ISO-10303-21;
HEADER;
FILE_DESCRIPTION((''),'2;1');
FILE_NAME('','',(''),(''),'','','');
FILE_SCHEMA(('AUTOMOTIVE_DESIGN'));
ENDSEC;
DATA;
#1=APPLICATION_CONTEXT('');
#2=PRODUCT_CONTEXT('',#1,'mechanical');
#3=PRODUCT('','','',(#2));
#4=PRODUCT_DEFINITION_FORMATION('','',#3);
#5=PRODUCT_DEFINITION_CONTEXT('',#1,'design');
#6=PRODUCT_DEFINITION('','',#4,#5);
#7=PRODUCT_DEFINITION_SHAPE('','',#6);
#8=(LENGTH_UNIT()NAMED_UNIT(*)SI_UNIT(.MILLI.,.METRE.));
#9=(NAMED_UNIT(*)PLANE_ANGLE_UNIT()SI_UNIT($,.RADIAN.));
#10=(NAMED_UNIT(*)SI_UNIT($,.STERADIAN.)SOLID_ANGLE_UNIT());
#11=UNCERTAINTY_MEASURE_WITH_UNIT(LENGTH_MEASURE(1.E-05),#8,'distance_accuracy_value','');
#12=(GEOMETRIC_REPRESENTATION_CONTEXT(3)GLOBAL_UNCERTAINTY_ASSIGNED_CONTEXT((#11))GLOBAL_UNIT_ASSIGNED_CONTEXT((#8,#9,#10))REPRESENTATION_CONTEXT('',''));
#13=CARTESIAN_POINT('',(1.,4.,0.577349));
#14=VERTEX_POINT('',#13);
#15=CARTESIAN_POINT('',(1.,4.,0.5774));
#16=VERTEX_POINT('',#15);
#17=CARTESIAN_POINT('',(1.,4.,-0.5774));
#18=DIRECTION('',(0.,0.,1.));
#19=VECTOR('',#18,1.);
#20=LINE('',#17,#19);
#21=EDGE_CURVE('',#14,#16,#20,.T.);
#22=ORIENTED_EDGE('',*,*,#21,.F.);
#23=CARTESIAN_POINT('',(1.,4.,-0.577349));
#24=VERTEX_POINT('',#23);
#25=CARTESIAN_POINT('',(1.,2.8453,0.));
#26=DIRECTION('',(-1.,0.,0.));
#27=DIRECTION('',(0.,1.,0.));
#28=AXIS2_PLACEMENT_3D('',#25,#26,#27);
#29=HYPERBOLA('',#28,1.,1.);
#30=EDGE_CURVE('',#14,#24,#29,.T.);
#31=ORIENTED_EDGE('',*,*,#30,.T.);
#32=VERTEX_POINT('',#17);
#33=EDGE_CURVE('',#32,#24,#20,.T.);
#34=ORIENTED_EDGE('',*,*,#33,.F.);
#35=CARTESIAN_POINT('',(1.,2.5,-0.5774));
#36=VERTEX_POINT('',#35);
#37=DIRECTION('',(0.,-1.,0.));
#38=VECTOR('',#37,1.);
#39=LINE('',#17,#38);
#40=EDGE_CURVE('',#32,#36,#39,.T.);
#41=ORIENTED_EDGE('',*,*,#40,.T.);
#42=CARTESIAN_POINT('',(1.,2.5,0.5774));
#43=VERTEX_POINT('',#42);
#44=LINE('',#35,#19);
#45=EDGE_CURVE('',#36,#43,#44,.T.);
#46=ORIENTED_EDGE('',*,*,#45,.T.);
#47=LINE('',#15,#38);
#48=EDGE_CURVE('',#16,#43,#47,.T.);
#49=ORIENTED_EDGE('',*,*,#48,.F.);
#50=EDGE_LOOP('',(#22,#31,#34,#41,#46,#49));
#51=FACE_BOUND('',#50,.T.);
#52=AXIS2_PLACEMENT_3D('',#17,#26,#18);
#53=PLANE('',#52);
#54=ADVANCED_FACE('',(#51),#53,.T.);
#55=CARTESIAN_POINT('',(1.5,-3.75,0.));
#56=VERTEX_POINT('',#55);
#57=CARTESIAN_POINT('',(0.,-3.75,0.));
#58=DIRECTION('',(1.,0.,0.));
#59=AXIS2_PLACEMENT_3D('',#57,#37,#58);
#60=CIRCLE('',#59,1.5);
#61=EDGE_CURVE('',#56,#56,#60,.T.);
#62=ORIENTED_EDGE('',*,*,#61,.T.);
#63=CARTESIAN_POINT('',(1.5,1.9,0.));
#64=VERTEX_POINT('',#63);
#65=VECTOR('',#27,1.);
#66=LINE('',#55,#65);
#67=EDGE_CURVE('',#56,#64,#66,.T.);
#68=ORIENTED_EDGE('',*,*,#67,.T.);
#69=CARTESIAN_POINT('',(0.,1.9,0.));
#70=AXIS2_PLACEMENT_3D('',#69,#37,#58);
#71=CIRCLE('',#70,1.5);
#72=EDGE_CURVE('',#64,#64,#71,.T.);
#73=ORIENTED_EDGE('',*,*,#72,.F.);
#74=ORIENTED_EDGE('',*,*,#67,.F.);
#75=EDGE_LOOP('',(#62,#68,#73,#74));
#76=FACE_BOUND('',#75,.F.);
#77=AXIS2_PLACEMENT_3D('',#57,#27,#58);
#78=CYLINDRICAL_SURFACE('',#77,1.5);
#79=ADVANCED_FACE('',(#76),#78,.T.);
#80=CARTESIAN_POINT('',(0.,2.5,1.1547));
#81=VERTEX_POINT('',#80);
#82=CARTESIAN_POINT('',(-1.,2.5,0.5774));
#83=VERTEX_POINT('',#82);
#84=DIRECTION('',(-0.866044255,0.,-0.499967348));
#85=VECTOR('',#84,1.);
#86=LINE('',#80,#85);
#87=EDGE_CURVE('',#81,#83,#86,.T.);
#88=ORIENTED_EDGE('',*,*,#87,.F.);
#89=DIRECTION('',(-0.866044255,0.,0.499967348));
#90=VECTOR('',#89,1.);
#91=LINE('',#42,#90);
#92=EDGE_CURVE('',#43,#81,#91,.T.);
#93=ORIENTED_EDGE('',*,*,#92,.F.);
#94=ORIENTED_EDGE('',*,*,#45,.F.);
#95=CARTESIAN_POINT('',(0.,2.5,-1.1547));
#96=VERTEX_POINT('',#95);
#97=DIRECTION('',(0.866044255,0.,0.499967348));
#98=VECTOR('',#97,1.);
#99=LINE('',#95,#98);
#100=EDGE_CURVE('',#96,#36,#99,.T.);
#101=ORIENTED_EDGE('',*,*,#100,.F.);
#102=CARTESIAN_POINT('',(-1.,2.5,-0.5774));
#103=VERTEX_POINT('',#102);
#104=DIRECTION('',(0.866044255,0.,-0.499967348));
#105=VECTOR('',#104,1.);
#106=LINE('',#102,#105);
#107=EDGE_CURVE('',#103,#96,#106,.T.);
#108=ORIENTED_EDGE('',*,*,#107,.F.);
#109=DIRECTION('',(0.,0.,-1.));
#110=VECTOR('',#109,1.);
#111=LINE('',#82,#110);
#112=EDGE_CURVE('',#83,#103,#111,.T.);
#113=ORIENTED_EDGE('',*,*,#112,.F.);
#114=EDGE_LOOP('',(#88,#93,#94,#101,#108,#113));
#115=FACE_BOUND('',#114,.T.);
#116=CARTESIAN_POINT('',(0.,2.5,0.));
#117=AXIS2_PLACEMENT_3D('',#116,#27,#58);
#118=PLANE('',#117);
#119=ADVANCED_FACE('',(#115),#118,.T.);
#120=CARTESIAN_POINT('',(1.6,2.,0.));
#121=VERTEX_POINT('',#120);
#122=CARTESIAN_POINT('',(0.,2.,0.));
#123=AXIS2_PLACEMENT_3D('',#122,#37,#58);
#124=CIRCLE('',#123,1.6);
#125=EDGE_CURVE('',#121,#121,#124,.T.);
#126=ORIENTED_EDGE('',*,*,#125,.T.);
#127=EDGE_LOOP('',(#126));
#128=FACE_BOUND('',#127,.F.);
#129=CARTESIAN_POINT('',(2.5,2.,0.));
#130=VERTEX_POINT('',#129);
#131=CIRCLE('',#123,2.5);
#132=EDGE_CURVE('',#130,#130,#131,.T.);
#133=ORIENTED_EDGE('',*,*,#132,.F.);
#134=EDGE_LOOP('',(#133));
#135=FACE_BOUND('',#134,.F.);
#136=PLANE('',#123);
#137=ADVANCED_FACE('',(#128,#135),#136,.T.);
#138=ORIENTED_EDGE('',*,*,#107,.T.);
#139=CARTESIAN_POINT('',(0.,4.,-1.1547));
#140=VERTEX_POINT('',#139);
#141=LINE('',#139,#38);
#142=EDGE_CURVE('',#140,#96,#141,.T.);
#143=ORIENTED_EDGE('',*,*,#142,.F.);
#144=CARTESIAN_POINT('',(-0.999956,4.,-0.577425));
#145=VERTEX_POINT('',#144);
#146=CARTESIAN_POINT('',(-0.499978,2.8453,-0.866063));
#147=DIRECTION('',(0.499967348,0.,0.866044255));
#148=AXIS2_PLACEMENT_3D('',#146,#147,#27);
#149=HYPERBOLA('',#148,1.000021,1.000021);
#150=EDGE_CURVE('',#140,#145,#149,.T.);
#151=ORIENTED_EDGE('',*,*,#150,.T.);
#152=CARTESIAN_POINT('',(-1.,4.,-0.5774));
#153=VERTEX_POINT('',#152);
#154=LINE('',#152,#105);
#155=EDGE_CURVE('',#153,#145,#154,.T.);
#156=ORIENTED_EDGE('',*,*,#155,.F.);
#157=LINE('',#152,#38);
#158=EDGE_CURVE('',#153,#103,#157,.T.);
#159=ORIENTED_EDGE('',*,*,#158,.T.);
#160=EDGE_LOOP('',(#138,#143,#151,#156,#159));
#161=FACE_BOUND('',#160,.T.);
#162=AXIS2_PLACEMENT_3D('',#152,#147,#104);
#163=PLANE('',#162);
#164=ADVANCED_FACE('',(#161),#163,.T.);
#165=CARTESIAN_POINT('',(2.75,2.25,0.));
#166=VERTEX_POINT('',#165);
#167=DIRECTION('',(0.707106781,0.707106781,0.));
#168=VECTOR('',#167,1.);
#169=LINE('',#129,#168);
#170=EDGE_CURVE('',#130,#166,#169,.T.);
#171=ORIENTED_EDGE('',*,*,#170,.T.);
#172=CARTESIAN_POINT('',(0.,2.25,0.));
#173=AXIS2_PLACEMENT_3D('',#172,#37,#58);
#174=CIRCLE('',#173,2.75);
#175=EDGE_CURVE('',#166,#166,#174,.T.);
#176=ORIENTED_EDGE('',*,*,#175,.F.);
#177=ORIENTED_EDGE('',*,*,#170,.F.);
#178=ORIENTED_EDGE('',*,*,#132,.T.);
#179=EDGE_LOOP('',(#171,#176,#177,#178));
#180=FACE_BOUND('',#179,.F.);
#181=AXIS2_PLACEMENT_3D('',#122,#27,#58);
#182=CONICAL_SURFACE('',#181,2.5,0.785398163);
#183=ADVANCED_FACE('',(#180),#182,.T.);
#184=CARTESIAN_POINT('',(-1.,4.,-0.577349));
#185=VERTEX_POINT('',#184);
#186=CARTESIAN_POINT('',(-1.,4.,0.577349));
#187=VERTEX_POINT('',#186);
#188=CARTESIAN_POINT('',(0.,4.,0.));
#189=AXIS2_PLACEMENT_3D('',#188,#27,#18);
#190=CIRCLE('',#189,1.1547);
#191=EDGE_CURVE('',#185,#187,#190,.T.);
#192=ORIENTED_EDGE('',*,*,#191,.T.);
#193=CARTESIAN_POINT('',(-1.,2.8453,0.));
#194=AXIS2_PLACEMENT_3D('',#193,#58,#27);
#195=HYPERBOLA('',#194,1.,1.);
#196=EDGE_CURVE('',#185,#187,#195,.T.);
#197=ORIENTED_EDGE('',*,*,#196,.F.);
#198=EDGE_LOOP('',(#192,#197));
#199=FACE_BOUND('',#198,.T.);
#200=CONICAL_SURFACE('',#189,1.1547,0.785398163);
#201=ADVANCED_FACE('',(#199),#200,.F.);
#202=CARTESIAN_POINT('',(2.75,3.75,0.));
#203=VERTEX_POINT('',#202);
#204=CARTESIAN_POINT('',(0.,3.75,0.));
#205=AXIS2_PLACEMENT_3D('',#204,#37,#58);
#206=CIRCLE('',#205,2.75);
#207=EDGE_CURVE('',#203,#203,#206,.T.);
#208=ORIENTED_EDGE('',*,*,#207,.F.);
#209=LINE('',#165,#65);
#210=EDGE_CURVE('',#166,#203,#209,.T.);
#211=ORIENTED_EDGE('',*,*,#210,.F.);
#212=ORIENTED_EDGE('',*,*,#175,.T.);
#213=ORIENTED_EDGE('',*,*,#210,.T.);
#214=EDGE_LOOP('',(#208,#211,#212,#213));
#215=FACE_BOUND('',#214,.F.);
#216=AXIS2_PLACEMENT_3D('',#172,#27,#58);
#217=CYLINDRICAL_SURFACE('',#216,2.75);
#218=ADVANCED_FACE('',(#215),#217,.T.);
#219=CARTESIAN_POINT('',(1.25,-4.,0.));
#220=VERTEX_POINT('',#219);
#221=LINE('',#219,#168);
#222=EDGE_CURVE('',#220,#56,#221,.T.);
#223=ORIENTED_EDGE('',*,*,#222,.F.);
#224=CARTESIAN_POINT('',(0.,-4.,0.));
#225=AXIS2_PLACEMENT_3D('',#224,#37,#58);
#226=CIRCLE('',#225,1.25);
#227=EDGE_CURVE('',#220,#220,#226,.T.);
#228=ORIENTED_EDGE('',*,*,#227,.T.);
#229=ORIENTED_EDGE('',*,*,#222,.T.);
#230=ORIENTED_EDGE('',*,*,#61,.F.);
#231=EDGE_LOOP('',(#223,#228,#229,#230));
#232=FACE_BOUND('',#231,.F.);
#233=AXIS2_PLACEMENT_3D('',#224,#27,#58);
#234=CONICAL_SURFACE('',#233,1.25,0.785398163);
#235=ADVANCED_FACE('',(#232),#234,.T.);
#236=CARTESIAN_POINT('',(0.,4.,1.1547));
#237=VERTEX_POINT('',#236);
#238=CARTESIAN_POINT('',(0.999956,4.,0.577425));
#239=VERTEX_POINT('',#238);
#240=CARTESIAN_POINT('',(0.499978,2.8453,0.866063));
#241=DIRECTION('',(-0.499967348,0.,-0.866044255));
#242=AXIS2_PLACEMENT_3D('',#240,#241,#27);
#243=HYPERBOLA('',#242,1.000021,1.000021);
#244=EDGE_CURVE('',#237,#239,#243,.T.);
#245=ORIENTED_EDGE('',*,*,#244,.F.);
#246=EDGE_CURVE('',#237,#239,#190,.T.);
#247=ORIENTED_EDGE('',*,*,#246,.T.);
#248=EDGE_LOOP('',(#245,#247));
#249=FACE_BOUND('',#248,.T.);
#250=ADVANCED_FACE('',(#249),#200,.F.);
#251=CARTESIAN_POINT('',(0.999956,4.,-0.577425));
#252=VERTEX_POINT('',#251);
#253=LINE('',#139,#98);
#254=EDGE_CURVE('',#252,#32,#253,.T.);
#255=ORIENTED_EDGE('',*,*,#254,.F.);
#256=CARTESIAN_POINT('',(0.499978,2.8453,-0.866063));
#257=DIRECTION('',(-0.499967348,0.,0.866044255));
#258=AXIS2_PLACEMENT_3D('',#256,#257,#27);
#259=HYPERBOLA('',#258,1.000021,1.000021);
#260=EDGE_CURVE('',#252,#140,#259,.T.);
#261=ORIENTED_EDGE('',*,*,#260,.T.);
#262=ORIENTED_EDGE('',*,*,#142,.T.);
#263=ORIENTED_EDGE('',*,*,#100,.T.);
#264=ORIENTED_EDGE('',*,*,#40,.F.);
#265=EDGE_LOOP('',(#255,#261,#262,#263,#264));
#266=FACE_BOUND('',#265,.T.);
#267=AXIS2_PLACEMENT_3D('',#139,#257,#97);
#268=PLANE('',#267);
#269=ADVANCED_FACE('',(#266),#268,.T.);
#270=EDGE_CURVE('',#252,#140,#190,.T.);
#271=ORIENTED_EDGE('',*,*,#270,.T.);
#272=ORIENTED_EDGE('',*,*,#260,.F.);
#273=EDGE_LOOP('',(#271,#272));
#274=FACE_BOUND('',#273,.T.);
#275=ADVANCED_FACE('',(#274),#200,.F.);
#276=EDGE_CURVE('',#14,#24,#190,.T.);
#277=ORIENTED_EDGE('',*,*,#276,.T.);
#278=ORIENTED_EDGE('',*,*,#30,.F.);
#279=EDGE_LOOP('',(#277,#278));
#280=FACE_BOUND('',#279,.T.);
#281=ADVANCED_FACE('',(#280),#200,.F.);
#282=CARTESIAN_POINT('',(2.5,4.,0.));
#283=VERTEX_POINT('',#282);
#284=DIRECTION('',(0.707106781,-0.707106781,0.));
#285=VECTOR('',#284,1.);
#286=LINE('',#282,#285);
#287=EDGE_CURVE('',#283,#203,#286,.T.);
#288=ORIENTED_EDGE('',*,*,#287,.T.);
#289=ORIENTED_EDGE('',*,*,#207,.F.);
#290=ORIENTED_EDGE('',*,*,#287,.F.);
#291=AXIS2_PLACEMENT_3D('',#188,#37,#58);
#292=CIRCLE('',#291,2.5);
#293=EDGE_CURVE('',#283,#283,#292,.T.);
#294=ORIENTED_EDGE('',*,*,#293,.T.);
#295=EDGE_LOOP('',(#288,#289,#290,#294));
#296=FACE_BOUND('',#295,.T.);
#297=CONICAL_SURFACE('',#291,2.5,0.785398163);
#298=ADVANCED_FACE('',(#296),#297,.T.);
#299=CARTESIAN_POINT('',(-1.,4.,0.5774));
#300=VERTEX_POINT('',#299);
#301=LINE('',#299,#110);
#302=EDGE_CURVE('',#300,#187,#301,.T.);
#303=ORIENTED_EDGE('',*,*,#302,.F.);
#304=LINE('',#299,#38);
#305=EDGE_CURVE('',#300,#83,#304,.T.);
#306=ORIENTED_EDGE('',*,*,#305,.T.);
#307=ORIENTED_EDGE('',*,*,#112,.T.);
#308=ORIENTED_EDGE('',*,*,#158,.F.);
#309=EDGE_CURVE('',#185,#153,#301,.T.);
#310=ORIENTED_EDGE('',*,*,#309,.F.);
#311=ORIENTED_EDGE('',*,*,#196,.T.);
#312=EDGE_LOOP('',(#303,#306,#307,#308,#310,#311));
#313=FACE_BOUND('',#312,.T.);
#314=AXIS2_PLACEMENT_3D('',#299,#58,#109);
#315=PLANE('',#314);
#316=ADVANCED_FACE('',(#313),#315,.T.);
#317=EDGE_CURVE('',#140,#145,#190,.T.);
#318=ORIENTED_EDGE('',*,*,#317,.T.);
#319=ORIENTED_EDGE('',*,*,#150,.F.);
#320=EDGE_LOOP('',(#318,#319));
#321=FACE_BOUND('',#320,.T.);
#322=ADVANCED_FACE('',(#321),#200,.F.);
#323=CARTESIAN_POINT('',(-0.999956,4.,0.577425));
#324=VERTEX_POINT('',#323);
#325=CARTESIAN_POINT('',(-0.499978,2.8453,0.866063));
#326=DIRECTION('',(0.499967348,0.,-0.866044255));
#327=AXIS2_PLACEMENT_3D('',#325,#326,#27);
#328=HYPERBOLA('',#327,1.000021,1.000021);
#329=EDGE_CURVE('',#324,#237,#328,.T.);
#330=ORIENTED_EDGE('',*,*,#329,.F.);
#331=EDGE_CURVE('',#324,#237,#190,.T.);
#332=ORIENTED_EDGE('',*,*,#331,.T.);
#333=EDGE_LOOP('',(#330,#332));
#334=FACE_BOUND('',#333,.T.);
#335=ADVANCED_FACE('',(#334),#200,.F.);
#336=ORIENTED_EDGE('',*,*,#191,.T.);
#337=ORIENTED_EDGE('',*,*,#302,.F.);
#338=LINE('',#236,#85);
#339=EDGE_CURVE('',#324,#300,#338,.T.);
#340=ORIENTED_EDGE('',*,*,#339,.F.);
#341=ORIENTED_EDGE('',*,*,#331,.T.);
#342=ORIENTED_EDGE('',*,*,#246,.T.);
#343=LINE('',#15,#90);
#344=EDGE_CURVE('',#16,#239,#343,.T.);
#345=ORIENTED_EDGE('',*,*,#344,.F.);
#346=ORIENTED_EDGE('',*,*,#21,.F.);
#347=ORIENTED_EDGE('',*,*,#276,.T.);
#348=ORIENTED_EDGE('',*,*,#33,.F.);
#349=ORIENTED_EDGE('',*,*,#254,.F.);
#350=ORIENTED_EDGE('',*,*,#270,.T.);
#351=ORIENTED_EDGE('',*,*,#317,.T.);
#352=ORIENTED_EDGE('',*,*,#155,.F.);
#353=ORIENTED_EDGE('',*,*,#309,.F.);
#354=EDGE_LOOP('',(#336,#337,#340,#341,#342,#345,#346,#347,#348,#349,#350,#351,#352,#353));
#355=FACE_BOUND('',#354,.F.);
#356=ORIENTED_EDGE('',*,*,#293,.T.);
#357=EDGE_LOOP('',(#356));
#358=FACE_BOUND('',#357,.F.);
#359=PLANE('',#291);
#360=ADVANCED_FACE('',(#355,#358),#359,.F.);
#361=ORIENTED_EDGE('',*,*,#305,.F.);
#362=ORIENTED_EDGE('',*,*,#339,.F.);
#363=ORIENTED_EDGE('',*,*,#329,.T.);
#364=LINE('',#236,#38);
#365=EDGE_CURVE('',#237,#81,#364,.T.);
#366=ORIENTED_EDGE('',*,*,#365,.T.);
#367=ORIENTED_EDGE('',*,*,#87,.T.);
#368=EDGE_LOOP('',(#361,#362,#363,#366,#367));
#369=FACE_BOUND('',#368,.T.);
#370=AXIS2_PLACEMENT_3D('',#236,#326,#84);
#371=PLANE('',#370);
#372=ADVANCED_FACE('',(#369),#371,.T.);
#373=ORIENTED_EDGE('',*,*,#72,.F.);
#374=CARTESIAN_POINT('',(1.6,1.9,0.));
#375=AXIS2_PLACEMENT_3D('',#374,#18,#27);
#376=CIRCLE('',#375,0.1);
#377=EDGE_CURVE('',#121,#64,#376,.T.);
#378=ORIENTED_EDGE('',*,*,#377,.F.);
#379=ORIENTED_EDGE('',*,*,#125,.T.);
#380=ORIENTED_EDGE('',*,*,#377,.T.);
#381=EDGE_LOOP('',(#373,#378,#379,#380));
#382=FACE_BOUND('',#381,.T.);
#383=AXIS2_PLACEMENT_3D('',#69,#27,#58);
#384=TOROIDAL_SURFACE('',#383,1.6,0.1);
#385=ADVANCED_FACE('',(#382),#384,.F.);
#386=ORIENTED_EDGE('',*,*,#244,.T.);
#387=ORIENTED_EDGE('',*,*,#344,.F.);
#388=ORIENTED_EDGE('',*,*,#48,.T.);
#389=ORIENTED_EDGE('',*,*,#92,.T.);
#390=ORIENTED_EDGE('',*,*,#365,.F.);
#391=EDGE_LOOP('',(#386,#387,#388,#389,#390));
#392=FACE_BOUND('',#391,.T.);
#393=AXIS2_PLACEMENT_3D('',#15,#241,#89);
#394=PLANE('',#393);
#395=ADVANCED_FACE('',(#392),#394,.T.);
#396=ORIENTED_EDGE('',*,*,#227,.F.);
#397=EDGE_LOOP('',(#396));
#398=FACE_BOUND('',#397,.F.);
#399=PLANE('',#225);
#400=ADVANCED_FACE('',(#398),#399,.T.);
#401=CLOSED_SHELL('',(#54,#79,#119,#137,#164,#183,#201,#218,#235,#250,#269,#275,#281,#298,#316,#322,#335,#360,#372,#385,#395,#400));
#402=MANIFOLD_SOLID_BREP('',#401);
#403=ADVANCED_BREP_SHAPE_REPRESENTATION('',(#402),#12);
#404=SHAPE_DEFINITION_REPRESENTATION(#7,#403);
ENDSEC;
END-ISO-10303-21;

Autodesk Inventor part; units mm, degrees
ref_plane "YZ Plane" through (0, 0, 0) normal (1, 0, 0) x (0, 1, 0)
ref_plane "XZ Plane" through (0, 0, 0) normal (0, 1, 0) x (-1, 0, 0)
ref_plane "XY Plane" through (0, 0, 0) normal (0, 0, 1) x (1, 0, 0)
sketch "Sketch1" plane through (0, 0, 0) normal (0, 0, 1) x (1, 0, 0)
  line L0 (0, 4) -> (0, -4)
  line L1 (0, -4) -> (1.25, -4)
  line L2 (1.25, -4) -> (1.5, -3.75)
  line L3 (1.5, -3.75) -> (1.5, 1.9)
  line L4 (1.6, 2) -> (2.5, 2)
  line L5 (2.75, 2.25) -> (2.75, 3.75)
  line L6 (2.5, 4) -> (0, 4)
  arc A0 (1.6, 2) -> (1.5, 1.9) centre (1.6, 1.9) ccw
  line L7 (2.5, 4) -> (2.75, 3.75)
  line L8 (2.5, 2) -> (2.75, 2.25)
  point P0 (0, 0)
  point P1 (2.75, 2)
  point P2 (2.75, 4)
  point P3 (0, 0)
  dimension "d0" = 5.5
  dimension "d1" = 2
  dimension "d3" = 3
  dimension "d4" = 3.2
  dimension "d5" = 135
  dimension "d6" = 0.25
  dimension "d7" = 6
  dimension "d9" = 0.25
revolve "Revolution1" add sketch "Sketch1" angle 360 about axis through (0, 4, 0) along (0, -1, 0)
sketch "Sketch2" plane through (0, 4, 0) normal (0, 1, 0) x (1, 0, 0)
  line L0 (0, -1.1547) -> (-1, -0.5774)
  line L1 (-1, -0.5774) -> (-1, 0.5774)
  line L2 (-1, 0.5774) -> (0, 1.1547)
  line L3 (0, 1.1547) -> (1, 0.5774)
  line L4 (1, 0.5774) -> (1, -0.5774)
  line L5 (1, -0.5774) -> (0, -1.1547)
  point P0 (0, 0)
  point P1 (0, 0)
  dimension "d11" = 2
extrude "Extrusion1" cut sketch "Sketch2" against normal blind 1.5
thread "Thread1" size "M3x0.35" class "6g" standard "ANSI Metric M Profile" full length
sketch "Sketch3" plane through (0, 0, 0) normal (1, 0, 0) x (0, 1, 0)
  line L0 (4, 1.1547) -> (3, 0.1547)
  line L1 (3, 0.1547) -> (4, 0.1547)
  line L2 (4, 0.1547) -> (4, 1.1547)
  line L3 (-0.8, 0) -> (4.8, 0) projected
  point P0 (0, 0)
  dimension "d18" = 1
revolve "Revolution2" cut sketch "Sketch3" angle 360 about axis through (0, -10, 0) along (0, 1, 0)
properties part number "Bolt_M3x0.35_6mm_SH" material "Stainless Steel"
